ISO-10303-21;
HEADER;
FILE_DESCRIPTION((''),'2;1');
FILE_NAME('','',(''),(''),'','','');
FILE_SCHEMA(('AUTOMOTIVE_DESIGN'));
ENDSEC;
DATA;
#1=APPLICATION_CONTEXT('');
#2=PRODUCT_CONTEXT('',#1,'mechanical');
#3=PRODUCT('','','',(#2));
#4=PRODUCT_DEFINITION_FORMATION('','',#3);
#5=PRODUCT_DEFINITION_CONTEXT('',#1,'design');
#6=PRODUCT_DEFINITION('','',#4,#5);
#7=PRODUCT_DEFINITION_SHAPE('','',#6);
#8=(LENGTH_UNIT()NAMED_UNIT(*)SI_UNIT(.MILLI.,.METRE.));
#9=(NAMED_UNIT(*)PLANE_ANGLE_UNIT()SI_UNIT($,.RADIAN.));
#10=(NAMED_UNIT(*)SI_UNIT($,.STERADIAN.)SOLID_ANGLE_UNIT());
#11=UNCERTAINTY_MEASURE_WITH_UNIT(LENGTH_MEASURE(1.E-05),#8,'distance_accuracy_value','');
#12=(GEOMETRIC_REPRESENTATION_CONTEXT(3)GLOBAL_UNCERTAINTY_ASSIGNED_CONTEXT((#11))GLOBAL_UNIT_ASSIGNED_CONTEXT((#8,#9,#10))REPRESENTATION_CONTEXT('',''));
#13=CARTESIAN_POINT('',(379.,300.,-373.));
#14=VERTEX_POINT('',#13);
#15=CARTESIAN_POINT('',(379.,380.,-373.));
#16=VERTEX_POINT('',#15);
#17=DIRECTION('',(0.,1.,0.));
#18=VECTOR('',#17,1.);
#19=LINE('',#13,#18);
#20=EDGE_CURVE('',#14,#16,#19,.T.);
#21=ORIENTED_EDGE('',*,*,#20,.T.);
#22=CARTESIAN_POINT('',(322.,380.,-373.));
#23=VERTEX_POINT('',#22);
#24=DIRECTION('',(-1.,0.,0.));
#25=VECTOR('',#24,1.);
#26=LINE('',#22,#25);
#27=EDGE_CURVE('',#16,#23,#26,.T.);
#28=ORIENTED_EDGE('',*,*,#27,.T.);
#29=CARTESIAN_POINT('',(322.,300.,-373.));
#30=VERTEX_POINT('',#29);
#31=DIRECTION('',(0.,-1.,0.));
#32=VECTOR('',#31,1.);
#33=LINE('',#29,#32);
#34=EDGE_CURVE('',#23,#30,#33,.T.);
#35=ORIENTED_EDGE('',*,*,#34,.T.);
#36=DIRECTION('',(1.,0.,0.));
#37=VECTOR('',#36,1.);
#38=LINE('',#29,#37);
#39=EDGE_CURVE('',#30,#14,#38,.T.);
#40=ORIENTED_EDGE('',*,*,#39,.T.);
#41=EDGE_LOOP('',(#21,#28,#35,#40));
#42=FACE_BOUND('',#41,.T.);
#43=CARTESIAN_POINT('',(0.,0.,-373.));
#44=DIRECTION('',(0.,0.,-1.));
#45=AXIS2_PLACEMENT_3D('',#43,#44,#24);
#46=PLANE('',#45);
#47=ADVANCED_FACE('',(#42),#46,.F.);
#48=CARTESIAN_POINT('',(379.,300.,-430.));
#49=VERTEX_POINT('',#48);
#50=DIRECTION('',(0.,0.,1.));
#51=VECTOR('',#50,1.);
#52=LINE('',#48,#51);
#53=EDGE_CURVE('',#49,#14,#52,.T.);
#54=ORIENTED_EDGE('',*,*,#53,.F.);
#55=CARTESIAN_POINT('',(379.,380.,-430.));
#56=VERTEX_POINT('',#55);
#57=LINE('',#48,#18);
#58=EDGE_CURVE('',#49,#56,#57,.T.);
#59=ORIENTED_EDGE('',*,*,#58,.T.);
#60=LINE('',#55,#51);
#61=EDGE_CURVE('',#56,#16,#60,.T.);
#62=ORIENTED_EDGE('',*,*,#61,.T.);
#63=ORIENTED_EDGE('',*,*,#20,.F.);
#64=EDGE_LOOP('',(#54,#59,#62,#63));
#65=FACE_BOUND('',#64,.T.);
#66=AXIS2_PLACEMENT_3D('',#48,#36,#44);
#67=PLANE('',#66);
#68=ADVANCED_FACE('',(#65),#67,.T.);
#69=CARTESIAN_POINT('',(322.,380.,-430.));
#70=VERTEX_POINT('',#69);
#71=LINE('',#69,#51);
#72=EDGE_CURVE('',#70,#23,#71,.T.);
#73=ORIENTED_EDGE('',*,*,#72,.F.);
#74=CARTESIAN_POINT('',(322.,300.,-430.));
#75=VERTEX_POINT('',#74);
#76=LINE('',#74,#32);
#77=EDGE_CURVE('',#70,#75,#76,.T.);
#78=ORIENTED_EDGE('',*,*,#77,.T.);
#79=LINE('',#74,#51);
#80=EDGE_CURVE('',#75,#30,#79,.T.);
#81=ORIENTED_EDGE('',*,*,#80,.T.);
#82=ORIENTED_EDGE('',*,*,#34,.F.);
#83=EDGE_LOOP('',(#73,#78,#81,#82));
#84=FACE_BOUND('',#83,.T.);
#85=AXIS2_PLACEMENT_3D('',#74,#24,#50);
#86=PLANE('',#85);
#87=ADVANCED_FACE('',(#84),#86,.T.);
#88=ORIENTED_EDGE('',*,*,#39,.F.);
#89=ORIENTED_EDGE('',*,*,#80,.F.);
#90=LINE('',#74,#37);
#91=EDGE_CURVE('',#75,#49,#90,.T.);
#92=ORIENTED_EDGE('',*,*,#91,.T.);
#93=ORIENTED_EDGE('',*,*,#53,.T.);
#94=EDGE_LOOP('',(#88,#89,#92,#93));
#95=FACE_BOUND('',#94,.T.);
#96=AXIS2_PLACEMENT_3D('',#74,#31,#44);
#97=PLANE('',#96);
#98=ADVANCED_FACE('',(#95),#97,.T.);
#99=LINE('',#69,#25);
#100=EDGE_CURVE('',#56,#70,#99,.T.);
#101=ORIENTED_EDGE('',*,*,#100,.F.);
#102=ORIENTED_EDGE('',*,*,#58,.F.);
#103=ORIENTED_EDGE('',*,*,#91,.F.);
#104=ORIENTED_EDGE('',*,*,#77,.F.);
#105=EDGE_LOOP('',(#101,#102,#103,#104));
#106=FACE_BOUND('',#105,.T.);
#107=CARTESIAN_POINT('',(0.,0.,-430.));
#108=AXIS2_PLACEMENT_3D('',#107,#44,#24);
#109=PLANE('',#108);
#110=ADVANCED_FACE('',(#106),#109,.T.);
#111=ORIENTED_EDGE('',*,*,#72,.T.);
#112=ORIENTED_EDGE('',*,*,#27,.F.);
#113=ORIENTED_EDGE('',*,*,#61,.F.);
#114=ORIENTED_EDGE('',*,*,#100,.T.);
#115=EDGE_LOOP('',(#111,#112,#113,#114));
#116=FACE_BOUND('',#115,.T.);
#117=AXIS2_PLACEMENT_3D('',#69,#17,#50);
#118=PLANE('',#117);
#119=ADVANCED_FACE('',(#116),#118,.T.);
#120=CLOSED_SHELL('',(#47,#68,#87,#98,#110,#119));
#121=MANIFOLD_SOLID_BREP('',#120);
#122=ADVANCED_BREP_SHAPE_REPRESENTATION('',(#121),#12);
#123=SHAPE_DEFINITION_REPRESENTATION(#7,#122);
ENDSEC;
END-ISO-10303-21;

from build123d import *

# Parameters (mm, degrees)
PACK_STEP_MOTOR_NEMA23_3NM_1_START = -373
SKETCH1_W                          = 57
SKETCH1_H                          = 80
PACK_STEP_MOTOR_NEMA23_3NM_1_DEPTH = 57


with BuildPart() as part:
    # Sketch1 → PACK_step_motor_NEMA23_3Nm_1 (new body)
    with BuildSketch(Plane.XY.offset(PACK_STEP_MOTOR_NEMA23_3NM_1_START)):
        with Locations((350.5, 340)):
            Rectangle(SKETCH1_W, SKETCH1_H)
    extrude(amount=-PACK_STEP_MOTOR_NEMA23_3NM_1_DEPTH)


solid = part.part
